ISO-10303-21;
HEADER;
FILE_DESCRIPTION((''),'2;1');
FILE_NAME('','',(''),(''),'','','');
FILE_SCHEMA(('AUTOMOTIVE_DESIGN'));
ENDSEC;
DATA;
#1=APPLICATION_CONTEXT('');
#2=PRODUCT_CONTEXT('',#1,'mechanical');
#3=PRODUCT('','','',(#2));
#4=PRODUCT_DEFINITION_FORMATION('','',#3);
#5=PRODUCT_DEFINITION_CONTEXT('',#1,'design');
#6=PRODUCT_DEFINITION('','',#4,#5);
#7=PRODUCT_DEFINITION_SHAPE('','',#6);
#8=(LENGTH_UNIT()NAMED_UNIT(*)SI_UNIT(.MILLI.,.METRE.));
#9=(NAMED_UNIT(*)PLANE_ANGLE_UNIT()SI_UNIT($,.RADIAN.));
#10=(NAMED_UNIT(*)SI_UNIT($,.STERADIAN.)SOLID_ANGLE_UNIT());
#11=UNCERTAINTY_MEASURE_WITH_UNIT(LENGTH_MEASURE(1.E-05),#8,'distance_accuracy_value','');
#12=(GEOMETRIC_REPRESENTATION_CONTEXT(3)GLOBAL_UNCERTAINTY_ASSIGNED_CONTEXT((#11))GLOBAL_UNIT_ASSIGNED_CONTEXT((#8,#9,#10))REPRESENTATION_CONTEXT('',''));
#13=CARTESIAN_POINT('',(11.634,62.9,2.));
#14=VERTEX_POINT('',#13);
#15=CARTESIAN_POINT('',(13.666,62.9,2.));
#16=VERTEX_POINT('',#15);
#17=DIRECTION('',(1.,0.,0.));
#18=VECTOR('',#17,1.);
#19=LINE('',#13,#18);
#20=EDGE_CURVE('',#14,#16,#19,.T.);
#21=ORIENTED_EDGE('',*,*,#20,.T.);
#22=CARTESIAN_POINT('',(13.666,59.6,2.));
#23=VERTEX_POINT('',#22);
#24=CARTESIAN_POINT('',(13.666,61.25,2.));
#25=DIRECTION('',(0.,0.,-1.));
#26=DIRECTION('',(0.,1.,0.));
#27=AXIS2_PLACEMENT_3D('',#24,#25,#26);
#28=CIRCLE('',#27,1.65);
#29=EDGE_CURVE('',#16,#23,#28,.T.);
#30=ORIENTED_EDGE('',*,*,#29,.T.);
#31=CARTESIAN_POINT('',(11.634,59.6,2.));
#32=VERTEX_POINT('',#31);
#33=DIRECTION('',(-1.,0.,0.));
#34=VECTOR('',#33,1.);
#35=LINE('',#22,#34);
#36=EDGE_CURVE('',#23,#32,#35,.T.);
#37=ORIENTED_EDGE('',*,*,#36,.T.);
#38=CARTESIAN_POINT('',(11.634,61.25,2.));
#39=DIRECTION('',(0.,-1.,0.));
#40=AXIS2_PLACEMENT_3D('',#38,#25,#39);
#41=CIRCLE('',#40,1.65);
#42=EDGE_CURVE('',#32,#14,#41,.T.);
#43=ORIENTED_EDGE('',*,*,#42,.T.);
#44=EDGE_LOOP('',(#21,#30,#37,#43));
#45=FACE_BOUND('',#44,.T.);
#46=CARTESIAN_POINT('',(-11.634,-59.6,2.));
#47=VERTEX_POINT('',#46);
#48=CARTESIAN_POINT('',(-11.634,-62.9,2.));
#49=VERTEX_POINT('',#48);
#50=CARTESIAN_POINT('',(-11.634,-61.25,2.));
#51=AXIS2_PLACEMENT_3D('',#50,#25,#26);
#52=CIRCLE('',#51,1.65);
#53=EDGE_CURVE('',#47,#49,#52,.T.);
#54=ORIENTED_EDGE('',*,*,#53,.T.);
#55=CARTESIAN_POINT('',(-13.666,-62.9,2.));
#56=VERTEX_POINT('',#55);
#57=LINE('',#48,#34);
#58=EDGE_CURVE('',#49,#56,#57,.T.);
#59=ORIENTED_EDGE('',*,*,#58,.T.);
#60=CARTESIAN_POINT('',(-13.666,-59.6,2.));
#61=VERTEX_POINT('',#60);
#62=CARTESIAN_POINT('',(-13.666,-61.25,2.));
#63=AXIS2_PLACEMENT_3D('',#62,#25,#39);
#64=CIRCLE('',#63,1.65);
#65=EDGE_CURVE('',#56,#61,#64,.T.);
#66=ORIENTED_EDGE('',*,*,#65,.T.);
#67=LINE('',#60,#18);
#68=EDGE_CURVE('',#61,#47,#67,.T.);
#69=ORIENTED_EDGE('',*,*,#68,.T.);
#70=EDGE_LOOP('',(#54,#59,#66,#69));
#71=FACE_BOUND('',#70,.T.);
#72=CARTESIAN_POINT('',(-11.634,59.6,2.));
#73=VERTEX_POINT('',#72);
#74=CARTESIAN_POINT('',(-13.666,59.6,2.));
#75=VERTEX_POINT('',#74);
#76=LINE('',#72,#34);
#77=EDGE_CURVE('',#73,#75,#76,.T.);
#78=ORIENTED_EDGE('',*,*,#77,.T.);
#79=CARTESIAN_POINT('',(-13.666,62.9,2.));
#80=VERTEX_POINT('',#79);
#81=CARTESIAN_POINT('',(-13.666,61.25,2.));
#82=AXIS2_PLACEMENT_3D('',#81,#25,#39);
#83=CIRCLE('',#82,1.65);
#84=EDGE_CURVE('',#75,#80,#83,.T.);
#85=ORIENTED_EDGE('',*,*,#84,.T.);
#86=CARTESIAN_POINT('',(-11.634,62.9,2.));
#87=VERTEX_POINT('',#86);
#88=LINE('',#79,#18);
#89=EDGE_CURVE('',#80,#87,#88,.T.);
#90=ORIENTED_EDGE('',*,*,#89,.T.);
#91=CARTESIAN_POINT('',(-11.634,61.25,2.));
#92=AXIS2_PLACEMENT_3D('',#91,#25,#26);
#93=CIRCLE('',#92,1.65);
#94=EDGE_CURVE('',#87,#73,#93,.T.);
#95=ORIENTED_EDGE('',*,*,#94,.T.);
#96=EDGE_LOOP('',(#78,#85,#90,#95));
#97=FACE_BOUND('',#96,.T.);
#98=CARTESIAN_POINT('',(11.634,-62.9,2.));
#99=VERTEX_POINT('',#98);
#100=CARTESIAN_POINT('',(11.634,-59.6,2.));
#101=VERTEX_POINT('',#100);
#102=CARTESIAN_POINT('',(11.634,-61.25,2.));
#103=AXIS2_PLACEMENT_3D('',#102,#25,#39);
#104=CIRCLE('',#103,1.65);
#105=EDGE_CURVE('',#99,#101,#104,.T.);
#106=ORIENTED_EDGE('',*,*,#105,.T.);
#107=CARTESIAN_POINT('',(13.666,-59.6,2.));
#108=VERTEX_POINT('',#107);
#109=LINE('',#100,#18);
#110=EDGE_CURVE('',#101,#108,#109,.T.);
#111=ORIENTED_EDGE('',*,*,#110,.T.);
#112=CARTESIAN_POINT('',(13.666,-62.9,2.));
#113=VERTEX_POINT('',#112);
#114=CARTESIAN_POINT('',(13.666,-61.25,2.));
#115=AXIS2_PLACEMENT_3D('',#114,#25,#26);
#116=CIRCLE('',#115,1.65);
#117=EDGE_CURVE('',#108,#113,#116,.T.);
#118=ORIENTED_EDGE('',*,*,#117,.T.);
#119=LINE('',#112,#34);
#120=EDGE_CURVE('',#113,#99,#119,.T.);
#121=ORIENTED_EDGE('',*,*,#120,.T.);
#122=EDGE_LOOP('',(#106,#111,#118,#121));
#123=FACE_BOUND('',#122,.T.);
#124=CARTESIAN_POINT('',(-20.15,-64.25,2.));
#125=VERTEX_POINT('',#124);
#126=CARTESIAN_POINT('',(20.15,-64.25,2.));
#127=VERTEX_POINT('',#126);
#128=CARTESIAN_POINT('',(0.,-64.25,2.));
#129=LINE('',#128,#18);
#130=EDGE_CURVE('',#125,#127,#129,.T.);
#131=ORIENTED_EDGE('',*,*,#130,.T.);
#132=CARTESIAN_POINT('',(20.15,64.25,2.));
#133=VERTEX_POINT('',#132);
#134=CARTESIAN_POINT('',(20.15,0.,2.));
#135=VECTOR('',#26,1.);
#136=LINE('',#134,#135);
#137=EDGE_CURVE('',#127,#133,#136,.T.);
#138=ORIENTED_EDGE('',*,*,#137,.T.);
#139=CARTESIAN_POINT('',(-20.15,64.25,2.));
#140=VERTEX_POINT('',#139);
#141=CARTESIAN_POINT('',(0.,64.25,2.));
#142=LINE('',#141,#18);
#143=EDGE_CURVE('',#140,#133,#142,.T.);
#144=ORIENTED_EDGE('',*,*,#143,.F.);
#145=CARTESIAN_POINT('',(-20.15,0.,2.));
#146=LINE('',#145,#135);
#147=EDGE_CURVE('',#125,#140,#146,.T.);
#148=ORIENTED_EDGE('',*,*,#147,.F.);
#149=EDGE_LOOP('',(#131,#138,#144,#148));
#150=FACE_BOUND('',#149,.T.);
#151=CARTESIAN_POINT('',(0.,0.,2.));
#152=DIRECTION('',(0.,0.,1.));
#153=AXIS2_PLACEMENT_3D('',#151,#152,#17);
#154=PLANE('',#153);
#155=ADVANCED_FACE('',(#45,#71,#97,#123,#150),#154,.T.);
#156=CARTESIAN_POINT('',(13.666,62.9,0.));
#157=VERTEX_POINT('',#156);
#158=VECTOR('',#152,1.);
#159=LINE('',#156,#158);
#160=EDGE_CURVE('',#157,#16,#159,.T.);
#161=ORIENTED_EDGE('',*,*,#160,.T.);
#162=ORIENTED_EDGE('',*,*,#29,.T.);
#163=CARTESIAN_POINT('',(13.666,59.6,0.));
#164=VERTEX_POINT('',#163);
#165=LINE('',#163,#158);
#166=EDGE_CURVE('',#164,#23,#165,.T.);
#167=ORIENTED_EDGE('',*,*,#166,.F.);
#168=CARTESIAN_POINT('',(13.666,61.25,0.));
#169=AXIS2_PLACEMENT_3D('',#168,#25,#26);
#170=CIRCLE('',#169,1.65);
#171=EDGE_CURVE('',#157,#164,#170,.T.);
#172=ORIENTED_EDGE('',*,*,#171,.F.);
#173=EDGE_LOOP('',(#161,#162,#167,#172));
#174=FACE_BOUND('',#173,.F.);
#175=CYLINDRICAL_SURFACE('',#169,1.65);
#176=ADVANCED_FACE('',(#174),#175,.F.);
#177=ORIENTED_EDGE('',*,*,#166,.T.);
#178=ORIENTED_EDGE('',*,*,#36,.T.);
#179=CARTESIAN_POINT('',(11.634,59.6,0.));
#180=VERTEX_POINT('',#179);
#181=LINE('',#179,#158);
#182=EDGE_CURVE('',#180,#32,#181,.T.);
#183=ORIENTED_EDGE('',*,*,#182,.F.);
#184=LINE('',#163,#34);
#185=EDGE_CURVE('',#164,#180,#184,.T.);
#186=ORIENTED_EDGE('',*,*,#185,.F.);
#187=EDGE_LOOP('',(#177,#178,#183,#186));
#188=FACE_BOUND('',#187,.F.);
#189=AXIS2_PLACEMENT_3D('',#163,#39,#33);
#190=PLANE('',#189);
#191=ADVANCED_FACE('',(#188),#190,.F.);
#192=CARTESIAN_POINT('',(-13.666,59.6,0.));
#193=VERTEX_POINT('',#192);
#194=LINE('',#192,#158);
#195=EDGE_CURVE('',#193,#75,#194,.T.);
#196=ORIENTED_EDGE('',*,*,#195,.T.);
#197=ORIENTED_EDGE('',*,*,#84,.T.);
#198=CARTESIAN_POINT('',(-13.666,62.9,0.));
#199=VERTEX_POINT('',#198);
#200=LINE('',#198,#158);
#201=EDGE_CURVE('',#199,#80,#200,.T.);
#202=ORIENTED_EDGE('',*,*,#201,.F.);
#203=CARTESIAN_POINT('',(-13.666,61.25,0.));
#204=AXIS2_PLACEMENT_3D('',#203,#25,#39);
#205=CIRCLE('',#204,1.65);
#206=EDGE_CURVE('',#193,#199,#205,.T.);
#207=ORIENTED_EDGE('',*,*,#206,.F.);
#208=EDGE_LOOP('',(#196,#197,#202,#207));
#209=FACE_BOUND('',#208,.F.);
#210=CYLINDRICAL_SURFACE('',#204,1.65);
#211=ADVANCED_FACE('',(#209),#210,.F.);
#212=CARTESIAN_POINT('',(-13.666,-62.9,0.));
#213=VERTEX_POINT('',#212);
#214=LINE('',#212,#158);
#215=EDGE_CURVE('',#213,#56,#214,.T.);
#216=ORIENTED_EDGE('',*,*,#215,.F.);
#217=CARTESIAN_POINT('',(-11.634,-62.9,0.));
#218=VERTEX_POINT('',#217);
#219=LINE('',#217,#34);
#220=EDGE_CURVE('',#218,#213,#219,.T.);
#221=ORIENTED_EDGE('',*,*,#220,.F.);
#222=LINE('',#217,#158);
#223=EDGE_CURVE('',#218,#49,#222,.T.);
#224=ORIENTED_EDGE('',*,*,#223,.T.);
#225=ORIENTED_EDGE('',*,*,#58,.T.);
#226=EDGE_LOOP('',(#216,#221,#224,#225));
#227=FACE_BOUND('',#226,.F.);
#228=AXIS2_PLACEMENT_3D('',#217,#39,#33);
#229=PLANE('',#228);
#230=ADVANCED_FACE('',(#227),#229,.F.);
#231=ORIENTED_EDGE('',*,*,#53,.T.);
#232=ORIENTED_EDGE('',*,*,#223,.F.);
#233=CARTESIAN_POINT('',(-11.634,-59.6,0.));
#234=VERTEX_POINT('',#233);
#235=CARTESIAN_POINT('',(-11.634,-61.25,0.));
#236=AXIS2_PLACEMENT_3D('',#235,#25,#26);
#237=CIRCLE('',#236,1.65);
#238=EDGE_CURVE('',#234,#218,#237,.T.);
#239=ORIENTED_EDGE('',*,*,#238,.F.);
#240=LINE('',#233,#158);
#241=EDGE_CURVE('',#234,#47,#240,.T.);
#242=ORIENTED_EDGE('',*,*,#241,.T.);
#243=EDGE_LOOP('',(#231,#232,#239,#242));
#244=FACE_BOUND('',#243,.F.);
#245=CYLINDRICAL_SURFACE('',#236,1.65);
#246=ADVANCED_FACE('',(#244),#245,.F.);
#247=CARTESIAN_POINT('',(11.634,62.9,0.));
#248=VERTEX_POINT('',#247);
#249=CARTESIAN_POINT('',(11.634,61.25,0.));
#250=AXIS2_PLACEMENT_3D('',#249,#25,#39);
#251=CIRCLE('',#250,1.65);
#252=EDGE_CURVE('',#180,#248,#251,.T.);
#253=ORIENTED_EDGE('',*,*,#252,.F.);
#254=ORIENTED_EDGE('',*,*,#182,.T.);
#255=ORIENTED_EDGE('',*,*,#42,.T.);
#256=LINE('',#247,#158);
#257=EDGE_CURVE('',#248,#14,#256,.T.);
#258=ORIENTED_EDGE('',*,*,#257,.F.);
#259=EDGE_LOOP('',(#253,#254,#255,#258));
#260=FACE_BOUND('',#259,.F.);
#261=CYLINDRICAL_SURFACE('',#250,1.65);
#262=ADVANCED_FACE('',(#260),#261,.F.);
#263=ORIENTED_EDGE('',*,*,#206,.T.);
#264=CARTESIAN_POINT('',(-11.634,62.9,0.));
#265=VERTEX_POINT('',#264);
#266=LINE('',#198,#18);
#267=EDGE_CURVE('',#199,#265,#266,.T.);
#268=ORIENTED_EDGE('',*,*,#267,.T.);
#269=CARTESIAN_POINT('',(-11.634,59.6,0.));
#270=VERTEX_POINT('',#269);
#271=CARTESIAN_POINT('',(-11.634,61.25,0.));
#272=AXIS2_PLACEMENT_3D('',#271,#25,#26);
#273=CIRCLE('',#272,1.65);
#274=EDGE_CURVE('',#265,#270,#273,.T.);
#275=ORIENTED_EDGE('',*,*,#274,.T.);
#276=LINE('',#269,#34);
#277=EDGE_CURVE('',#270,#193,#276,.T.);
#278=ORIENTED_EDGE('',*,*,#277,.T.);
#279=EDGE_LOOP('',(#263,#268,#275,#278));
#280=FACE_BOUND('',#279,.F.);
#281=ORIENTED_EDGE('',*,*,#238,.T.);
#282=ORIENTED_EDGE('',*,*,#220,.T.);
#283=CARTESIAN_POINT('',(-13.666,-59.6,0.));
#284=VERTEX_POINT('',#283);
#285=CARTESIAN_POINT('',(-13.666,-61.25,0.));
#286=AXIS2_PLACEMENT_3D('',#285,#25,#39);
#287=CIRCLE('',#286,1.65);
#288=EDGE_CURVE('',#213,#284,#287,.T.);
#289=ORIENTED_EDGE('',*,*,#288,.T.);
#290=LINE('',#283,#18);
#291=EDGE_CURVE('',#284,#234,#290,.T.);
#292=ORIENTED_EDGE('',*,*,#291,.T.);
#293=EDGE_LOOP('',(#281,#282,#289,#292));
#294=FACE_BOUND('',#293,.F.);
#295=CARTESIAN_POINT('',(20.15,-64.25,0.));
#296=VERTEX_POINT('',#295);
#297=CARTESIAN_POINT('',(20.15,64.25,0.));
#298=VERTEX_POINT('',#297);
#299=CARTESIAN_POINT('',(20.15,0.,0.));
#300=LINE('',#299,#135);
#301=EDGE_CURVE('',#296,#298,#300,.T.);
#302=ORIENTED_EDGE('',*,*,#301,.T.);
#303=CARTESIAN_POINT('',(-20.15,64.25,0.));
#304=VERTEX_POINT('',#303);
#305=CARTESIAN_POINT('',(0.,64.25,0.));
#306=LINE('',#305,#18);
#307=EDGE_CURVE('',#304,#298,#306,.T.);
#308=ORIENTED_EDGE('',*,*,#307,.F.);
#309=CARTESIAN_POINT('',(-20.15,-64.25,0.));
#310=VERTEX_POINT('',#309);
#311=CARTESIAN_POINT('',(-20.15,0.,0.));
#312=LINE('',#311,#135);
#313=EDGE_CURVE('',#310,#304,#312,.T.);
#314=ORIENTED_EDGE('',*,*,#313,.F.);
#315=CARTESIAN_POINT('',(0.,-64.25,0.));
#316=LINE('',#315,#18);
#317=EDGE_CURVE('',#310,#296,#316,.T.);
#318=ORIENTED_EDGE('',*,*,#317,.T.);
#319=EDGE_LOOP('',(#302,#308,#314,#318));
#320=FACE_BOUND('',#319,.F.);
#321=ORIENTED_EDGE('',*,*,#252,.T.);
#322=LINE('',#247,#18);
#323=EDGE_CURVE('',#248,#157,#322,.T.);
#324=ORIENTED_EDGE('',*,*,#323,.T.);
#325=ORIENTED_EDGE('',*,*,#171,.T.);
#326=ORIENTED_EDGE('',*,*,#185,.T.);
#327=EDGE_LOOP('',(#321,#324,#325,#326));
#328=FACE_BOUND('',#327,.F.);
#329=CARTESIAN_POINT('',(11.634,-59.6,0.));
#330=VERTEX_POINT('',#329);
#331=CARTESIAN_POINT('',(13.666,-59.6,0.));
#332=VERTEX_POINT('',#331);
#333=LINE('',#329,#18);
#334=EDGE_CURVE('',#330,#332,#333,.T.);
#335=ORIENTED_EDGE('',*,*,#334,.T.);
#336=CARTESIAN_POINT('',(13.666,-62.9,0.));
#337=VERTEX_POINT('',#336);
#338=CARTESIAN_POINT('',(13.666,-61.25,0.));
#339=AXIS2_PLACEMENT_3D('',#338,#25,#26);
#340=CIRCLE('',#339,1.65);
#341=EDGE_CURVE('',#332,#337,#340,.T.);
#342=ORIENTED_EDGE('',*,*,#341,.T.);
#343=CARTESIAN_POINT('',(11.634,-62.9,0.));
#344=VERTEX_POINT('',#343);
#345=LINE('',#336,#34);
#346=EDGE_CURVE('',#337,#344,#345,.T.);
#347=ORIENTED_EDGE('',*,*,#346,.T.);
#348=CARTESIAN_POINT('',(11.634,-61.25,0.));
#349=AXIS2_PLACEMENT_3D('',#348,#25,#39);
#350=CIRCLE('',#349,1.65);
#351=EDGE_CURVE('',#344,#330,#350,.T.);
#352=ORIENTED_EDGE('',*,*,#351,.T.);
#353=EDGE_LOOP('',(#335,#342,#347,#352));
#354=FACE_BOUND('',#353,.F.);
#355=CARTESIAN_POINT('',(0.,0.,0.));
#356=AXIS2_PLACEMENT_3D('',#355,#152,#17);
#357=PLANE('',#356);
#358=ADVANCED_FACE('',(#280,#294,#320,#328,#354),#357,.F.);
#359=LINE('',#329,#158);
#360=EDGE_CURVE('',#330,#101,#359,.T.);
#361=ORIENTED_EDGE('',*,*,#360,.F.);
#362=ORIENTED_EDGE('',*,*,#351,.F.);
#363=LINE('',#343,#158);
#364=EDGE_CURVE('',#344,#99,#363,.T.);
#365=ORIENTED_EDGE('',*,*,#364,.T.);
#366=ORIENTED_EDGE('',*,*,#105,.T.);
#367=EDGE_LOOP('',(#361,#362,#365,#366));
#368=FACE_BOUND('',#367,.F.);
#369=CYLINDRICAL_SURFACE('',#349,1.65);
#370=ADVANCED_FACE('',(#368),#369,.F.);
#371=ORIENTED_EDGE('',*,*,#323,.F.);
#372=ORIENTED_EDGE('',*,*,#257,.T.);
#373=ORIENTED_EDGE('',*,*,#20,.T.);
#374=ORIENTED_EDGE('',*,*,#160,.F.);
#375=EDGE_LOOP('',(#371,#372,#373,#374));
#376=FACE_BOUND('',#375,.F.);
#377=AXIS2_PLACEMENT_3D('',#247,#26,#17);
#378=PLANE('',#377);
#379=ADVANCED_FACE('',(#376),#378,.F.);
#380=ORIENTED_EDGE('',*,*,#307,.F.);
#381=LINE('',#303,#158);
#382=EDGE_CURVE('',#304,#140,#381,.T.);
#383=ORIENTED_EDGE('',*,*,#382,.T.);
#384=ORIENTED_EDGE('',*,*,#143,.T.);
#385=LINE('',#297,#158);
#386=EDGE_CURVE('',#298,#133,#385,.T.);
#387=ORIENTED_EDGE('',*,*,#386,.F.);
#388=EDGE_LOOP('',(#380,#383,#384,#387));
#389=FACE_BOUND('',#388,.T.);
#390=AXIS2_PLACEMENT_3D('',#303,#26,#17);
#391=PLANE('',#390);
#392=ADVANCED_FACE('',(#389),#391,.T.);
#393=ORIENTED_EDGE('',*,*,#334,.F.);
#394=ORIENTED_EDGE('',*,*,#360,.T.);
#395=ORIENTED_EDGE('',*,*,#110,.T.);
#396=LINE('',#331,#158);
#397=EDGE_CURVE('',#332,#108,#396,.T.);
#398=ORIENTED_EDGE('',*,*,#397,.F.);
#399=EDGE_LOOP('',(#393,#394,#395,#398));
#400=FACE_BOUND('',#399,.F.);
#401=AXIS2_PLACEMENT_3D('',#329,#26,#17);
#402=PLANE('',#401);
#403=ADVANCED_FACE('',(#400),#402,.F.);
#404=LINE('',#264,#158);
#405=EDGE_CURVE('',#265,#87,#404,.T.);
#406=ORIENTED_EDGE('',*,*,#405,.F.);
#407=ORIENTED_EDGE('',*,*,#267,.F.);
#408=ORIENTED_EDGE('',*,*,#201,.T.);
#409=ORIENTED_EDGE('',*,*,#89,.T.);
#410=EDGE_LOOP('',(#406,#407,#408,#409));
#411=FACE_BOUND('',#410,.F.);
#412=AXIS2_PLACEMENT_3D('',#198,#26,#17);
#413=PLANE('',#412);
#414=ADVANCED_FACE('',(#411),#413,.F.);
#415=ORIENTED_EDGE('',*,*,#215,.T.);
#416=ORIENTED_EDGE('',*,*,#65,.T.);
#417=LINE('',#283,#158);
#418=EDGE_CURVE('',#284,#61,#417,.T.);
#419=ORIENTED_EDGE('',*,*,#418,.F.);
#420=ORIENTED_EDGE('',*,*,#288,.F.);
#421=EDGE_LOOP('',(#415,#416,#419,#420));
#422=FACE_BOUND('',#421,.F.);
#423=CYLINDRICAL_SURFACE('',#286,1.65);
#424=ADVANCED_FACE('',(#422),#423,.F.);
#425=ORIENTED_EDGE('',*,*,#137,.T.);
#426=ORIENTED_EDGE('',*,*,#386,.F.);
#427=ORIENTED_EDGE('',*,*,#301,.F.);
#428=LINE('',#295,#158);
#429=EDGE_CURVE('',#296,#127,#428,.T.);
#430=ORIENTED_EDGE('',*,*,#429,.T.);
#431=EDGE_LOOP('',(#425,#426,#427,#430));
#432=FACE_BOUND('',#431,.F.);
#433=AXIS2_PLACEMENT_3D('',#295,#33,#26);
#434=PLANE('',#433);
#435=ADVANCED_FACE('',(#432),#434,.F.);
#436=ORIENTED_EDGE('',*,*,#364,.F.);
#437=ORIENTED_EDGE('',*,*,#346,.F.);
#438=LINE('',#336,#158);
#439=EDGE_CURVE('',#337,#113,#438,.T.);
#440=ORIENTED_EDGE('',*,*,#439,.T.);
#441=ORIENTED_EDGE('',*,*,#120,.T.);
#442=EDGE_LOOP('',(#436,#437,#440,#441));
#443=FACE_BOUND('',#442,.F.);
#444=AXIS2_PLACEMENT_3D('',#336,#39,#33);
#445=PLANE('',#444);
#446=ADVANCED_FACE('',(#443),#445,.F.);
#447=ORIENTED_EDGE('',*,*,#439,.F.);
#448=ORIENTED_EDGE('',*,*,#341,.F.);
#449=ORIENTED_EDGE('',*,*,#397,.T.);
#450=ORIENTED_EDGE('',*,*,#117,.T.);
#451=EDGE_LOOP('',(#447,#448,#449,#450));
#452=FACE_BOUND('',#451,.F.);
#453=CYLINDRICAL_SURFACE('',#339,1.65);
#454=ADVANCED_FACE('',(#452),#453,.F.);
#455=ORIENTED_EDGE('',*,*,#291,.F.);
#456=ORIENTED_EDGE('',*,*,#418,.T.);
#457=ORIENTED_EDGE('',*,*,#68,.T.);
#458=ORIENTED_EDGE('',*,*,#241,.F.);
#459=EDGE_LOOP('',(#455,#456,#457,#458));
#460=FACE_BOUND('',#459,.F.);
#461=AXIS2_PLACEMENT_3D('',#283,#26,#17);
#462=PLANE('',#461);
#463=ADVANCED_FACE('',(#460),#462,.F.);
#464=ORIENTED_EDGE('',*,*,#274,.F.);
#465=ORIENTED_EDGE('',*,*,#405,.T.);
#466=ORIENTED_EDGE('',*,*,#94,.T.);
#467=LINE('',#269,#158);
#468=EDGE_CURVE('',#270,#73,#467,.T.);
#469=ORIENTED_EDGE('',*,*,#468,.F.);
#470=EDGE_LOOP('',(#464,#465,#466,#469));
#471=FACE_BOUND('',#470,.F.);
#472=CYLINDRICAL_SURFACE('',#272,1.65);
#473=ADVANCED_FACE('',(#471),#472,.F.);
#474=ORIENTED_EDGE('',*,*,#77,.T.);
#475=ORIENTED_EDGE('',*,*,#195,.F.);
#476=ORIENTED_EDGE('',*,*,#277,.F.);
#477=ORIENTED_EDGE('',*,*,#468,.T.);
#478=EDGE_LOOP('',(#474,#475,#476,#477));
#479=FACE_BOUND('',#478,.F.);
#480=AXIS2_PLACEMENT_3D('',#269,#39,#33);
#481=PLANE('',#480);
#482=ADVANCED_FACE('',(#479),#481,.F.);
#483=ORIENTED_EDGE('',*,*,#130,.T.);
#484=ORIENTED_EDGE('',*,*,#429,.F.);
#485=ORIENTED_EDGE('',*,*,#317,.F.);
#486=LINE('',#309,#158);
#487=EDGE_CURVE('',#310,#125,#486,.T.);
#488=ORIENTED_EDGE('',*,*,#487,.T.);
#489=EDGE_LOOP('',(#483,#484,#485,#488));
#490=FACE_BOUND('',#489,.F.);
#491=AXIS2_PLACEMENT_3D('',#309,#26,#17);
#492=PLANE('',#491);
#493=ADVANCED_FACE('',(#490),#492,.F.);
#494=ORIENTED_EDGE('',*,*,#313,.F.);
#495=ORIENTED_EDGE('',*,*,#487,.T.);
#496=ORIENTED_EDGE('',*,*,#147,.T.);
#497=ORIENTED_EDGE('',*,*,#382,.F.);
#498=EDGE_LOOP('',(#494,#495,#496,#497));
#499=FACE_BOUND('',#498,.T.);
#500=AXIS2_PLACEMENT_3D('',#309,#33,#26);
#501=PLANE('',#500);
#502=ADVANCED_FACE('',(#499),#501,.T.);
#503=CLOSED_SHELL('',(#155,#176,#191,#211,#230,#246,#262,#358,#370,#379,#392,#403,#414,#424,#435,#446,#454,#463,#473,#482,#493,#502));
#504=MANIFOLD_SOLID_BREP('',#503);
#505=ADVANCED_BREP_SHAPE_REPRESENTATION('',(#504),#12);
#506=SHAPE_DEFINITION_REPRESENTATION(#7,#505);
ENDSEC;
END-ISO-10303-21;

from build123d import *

# Parameters (mm, degrees)
SKETCH1_W           = 40.3
SKETCH1_H           = 128.5
BOSS_EXTRUDE1_DEPTH = 2


with BuildPart() as part:
    # Sketch1 → Boss-Extrude1 (new body)
    with BuildSketch(Plane.XY):
        Rectangle(SKETCH1_W, SKETCH1_H)
        with BuildLine():
            Line((-13.666, -59.6), (-11.634, -59.6))
            ThreePointArc((-11.634, -59.6), (-9.984, -61.25), (-11.634, -62.9))
            Line((-11.634, -62.9), (-13.666, -62.9))
            ThreePointArc((-13.666, -62.9), (-15.316, -61.25), (-13.666, -59.6))
        make_face(mode=Mode.SUBTRACT)
        with BuildLine():
            Line((-13.666, 62.9), (-11.634, 62.9))
            ThreePointArc((-11.634, 62.9), (-9.984, 61.25), (-11.634, 59.6))
            Line((-11.634, 59.6), (-13.666, 59.6))
            ThreePointArc((-13.666, 59.6), (-15.316, 61.25), (-13.666, 62.9))
        make_face(mode=Mode.SUBTRACT)
        with BuildLine():
            Line((11.634000014, 62.9), (13.666000014, 62.9))
            ThreePointArc((13.666000014, 62.9), (15.316000014, 61.25), (13.666000014, 59.6))
            Line((13.666000014, 59.6), (11.634000014, 59.6))
            ThreePointArc((11.634000014, 59.6), (9.984000014, 61.25), (11.634000014, 62.9))
        make_face(mode=Mode.SUBTRACT)
        with BuildLine():
            Line((11.634000014, -59.6), (13.666000014, -59.6))
            ThreePointArc((13.666000014, -59.6), (15.316000014, -61.25), (13.666000014, -62.9))
            Line((13.666000014, -62.9), (11.634000014, -62.9))
            ThreePointArc((11.634000014, -62.9), (9.984000014, -61.25), (11.634000014, -59.6))
        make_face(mode=Mode.SUBTRACT)
    extrude(amount=BOSS_EXTRUDE1_DEPTH)


solid = part.part
